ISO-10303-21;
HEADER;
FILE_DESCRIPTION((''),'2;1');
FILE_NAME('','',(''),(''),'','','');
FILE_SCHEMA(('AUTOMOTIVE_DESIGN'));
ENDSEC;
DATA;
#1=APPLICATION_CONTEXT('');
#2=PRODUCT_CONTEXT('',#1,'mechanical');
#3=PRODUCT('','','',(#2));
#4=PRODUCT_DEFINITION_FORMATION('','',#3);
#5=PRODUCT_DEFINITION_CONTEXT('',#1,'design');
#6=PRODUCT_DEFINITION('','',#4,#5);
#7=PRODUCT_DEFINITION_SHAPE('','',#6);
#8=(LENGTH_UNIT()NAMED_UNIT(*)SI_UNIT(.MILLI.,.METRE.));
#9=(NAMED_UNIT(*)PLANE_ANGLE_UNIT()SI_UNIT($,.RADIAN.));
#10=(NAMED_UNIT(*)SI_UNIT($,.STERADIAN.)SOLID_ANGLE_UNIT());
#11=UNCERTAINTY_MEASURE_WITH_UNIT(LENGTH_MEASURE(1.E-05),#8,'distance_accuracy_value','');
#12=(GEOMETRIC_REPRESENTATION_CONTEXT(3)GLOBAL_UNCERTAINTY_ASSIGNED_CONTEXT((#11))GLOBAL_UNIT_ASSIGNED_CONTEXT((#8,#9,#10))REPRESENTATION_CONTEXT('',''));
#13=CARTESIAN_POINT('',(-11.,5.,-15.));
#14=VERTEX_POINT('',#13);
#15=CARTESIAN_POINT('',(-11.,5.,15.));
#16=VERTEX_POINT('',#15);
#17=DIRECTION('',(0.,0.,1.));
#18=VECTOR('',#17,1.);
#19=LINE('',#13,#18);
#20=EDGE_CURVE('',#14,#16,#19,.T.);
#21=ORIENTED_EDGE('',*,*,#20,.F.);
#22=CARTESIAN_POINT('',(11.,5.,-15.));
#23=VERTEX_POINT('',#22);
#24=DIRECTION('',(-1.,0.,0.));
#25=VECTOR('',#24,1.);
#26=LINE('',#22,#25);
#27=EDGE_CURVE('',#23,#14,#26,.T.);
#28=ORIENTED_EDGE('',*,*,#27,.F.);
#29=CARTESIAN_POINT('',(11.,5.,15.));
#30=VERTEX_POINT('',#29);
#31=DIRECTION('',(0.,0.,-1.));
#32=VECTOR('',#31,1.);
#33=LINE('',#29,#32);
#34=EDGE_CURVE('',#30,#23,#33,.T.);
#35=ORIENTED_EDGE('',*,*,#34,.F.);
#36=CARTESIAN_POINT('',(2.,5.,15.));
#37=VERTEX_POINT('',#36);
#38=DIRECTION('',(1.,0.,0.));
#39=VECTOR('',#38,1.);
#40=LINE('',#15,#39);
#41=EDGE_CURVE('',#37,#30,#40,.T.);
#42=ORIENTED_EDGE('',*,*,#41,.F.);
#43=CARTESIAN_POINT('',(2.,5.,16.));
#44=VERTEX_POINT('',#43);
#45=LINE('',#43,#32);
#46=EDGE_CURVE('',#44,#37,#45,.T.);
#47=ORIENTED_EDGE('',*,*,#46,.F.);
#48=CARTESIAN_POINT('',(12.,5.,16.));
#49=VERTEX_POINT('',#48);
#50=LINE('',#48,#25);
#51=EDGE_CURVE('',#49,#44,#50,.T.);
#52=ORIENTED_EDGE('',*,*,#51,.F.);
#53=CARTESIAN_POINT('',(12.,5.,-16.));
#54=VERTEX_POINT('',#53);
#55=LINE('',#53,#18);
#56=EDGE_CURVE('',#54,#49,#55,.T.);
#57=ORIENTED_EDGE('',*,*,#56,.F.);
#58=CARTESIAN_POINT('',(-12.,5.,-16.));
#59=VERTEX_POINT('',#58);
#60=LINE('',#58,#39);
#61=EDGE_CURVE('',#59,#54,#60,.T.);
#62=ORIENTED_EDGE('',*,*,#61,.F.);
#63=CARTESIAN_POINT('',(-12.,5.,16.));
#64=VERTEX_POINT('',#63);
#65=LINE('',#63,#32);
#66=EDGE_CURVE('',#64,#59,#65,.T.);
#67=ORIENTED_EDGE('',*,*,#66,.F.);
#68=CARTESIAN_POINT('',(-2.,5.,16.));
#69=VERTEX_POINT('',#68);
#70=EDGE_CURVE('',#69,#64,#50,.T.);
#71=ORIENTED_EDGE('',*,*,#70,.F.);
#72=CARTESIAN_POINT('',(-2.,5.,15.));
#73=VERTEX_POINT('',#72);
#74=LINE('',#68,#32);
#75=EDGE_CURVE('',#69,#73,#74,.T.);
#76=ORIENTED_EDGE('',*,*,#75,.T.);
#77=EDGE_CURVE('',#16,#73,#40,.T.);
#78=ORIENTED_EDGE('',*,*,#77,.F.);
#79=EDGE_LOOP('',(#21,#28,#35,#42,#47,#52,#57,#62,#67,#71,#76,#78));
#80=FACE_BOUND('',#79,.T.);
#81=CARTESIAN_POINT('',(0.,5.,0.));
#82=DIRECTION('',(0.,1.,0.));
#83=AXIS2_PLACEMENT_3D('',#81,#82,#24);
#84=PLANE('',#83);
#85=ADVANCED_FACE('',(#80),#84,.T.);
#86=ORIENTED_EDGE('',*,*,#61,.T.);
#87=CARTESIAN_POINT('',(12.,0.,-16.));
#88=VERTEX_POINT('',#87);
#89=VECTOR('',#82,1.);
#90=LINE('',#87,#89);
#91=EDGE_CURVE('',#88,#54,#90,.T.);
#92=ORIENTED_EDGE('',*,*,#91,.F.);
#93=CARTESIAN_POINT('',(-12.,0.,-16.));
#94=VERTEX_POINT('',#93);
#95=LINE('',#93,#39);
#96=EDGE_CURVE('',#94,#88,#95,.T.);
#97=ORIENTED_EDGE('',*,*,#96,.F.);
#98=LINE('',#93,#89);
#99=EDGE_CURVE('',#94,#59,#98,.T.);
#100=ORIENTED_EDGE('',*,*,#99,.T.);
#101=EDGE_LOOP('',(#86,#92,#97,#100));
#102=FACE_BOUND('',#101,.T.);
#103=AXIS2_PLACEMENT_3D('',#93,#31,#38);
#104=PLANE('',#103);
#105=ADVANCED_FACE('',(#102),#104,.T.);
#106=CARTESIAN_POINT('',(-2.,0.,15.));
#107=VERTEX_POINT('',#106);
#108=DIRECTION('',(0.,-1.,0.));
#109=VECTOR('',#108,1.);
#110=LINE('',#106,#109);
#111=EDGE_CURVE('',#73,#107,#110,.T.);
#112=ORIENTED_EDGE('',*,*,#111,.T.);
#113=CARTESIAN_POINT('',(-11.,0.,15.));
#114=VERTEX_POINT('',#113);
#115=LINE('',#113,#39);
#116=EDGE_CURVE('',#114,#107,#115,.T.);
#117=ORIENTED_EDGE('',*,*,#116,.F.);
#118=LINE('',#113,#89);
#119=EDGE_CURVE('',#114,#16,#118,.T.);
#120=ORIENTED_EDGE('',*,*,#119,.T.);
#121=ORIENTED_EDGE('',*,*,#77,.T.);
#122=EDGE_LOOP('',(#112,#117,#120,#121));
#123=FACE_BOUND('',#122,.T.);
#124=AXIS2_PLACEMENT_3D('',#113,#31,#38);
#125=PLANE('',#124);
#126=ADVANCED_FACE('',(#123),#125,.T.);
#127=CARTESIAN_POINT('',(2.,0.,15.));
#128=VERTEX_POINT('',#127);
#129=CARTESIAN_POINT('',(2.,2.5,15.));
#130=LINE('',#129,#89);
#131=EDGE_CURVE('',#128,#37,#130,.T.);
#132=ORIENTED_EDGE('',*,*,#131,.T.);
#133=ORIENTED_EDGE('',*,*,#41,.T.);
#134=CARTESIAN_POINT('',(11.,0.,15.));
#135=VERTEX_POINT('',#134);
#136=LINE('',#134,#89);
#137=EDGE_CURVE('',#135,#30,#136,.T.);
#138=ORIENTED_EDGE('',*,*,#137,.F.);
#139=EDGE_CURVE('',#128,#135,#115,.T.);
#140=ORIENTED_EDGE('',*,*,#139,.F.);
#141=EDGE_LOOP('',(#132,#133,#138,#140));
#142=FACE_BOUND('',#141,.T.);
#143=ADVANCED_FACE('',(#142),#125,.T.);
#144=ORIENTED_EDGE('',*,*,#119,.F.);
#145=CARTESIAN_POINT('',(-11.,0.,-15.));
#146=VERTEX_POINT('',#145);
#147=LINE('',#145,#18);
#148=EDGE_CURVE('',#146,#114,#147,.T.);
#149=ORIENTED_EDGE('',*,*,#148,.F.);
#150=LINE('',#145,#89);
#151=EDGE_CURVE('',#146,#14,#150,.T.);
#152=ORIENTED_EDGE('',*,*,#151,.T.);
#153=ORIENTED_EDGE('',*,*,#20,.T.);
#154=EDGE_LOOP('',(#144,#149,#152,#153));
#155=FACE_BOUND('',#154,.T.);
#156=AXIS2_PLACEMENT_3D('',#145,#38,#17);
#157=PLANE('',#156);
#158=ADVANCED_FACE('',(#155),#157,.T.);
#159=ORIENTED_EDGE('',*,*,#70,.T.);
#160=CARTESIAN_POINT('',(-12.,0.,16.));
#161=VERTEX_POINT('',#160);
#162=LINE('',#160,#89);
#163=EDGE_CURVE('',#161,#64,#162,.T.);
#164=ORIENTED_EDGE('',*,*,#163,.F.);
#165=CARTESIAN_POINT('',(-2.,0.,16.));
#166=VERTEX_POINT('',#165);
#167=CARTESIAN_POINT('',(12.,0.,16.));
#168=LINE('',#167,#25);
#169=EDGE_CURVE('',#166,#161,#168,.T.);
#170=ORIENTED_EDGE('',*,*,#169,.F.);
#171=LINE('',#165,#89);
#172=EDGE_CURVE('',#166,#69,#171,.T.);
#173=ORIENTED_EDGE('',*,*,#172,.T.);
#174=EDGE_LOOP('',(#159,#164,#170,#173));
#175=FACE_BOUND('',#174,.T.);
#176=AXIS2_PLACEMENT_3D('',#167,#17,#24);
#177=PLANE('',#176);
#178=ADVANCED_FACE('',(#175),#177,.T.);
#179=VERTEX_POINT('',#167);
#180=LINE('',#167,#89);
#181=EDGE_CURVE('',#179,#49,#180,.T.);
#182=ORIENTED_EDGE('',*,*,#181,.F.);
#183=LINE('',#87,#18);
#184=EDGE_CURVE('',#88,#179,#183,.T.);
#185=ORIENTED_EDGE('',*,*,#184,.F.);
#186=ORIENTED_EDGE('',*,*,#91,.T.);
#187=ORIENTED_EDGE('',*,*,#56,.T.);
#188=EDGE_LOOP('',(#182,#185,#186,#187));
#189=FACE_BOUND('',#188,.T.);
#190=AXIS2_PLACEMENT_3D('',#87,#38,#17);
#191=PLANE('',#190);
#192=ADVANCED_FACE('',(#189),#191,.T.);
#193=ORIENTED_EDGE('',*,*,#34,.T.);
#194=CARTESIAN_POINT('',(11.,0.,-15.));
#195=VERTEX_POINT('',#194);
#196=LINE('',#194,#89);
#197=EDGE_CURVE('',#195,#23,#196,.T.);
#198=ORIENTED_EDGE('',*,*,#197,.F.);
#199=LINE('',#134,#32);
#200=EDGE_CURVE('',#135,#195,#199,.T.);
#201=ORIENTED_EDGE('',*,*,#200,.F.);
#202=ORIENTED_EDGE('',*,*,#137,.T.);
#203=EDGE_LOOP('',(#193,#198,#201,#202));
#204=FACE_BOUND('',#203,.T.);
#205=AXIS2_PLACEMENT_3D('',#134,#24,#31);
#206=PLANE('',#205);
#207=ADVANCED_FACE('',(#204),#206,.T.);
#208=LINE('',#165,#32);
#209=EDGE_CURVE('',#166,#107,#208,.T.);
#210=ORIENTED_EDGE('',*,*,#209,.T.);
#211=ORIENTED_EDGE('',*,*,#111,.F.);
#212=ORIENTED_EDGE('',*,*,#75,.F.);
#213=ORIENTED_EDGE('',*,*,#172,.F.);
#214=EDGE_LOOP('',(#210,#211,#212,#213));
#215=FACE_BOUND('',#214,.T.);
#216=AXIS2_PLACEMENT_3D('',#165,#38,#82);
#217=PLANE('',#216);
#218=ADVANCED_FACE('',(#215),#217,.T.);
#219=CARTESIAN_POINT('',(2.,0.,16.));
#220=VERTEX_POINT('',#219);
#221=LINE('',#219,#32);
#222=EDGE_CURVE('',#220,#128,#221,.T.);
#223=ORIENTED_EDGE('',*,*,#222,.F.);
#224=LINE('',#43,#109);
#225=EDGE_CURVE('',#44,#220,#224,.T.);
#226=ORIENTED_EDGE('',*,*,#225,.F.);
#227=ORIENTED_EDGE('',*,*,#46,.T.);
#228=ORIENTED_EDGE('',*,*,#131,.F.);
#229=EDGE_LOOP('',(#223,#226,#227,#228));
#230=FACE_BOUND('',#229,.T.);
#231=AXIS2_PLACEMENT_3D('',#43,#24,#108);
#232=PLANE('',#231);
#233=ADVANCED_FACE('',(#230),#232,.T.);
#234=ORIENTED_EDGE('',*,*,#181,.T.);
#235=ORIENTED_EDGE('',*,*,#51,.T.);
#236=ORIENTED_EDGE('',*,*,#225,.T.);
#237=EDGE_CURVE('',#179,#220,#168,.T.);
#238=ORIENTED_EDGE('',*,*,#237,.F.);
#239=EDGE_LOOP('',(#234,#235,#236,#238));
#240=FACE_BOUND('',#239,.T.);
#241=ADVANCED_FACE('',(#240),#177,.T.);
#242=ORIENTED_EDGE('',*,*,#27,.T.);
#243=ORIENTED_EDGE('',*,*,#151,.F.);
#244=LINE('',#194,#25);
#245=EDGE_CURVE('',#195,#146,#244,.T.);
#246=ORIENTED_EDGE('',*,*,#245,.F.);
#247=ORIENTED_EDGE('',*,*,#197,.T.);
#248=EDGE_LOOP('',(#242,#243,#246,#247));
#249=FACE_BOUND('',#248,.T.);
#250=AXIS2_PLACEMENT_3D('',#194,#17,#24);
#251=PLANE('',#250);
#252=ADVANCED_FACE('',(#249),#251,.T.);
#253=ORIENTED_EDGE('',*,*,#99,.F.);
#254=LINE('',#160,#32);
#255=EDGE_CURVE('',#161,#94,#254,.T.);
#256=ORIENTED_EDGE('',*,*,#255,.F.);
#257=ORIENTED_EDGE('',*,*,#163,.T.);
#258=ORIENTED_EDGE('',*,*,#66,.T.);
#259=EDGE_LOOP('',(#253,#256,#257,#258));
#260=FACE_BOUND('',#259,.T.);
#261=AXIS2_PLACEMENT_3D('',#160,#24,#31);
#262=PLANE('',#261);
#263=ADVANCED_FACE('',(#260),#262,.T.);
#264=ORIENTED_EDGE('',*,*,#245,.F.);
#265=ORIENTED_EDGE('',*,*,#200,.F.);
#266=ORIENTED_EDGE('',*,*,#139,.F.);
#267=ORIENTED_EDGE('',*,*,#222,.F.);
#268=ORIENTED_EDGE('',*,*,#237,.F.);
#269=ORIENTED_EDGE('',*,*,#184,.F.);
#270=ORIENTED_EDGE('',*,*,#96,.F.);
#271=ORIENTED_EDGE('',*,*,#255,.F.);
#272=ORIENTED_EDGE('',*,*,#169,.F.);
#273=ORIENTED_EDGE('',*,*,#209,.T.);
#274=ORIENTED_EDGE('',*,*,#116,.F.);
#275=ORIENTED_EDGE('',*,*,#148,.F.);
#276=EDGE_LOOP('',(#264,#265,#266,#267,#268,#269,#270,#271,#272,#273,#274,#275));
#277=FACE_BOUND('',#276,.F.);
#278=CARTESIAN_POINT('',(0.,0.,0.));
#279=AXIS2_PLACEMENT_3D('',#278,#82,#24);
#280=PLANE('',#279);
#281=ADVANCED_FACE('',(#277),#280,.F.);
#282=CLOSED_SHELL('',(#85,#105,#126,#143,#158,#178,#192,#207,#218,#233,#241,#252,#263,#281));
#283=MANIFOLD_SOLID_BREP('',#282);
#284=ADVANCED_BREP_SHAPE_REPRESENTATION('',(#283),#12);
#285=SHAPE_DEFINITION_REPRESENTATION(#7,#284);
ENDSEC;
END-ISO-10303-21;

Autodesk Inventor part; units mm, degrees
ref_plane "YZ Plane" through (0, 0, 0) normal (1, 0, 0) x (0, 1, 0)
ref_plane "XZ Plane" through (0, 0, 0) normal (0, 1, 0) x (-1, 0, 0)
ref_plane "XY Plane" through (0, 0, 0) normal (0, 0, 1) x (1, 0, 0)
sketch "Sketch1" plane through (0, 0, 0) normal (0, 1, 0) x (-1, 0, 0)
  line L0 (-12, 16) -> (12, 16)
  line L1 (12, 16) -> (12, -16)
  line L2 (12, -16) -> (-12, -16)
  line L3 (-12, -16) -> (-12, 16)
  line L4 (11, 15) -> (-11, 15)
  line L5 (-11, 15) -> (-11, -15)
  line L6 (-11, -15) -> (11, -15)
  line L7 (11, -15) -> (11, 15)
  point P0 (0, 0)
  dimension "d0" = 12
  dimension "d1" = 16
  dimension "d2" = 12
  dimension "d3" = 16
  dimension "d4" = 1
  dimension "d5" = 1
  dimension "d6" = 1
  dimension "d7" = 1
extrude "Extrusion1" add sketch "Sketch1" along normal blind 5
sketch "Sketch2" plane through (-12, 0, 16) normal (0, 0, 1) x (1, 0, 0)
  line L0 (1, 5) -> (23, 5) projected
  line L1 (23, 0) -> (1, 0) projected
  line L2 (10, 5) -> (14, 5)
  line L3 (14, 5) -> (14, 0)
  line L4 (14, 0) -> (10, 0)
  line L5 (10, 0) -> (10, 5)
  point P0 (12, 0)
  dimension "d10" = 2
  dimension "d11" = 2
extrude "Extrusion2" cut sketch "Sketch2" against normal blind 5
equation "\"d2\" = d0"
equation "\"d3\" = d1"
equation "\"d5\" = d4"
equation "\"d6\" = d4"
equation "\"d7\" = d4"
equation "\"d11\" = d10"
properties part number "square loop"
